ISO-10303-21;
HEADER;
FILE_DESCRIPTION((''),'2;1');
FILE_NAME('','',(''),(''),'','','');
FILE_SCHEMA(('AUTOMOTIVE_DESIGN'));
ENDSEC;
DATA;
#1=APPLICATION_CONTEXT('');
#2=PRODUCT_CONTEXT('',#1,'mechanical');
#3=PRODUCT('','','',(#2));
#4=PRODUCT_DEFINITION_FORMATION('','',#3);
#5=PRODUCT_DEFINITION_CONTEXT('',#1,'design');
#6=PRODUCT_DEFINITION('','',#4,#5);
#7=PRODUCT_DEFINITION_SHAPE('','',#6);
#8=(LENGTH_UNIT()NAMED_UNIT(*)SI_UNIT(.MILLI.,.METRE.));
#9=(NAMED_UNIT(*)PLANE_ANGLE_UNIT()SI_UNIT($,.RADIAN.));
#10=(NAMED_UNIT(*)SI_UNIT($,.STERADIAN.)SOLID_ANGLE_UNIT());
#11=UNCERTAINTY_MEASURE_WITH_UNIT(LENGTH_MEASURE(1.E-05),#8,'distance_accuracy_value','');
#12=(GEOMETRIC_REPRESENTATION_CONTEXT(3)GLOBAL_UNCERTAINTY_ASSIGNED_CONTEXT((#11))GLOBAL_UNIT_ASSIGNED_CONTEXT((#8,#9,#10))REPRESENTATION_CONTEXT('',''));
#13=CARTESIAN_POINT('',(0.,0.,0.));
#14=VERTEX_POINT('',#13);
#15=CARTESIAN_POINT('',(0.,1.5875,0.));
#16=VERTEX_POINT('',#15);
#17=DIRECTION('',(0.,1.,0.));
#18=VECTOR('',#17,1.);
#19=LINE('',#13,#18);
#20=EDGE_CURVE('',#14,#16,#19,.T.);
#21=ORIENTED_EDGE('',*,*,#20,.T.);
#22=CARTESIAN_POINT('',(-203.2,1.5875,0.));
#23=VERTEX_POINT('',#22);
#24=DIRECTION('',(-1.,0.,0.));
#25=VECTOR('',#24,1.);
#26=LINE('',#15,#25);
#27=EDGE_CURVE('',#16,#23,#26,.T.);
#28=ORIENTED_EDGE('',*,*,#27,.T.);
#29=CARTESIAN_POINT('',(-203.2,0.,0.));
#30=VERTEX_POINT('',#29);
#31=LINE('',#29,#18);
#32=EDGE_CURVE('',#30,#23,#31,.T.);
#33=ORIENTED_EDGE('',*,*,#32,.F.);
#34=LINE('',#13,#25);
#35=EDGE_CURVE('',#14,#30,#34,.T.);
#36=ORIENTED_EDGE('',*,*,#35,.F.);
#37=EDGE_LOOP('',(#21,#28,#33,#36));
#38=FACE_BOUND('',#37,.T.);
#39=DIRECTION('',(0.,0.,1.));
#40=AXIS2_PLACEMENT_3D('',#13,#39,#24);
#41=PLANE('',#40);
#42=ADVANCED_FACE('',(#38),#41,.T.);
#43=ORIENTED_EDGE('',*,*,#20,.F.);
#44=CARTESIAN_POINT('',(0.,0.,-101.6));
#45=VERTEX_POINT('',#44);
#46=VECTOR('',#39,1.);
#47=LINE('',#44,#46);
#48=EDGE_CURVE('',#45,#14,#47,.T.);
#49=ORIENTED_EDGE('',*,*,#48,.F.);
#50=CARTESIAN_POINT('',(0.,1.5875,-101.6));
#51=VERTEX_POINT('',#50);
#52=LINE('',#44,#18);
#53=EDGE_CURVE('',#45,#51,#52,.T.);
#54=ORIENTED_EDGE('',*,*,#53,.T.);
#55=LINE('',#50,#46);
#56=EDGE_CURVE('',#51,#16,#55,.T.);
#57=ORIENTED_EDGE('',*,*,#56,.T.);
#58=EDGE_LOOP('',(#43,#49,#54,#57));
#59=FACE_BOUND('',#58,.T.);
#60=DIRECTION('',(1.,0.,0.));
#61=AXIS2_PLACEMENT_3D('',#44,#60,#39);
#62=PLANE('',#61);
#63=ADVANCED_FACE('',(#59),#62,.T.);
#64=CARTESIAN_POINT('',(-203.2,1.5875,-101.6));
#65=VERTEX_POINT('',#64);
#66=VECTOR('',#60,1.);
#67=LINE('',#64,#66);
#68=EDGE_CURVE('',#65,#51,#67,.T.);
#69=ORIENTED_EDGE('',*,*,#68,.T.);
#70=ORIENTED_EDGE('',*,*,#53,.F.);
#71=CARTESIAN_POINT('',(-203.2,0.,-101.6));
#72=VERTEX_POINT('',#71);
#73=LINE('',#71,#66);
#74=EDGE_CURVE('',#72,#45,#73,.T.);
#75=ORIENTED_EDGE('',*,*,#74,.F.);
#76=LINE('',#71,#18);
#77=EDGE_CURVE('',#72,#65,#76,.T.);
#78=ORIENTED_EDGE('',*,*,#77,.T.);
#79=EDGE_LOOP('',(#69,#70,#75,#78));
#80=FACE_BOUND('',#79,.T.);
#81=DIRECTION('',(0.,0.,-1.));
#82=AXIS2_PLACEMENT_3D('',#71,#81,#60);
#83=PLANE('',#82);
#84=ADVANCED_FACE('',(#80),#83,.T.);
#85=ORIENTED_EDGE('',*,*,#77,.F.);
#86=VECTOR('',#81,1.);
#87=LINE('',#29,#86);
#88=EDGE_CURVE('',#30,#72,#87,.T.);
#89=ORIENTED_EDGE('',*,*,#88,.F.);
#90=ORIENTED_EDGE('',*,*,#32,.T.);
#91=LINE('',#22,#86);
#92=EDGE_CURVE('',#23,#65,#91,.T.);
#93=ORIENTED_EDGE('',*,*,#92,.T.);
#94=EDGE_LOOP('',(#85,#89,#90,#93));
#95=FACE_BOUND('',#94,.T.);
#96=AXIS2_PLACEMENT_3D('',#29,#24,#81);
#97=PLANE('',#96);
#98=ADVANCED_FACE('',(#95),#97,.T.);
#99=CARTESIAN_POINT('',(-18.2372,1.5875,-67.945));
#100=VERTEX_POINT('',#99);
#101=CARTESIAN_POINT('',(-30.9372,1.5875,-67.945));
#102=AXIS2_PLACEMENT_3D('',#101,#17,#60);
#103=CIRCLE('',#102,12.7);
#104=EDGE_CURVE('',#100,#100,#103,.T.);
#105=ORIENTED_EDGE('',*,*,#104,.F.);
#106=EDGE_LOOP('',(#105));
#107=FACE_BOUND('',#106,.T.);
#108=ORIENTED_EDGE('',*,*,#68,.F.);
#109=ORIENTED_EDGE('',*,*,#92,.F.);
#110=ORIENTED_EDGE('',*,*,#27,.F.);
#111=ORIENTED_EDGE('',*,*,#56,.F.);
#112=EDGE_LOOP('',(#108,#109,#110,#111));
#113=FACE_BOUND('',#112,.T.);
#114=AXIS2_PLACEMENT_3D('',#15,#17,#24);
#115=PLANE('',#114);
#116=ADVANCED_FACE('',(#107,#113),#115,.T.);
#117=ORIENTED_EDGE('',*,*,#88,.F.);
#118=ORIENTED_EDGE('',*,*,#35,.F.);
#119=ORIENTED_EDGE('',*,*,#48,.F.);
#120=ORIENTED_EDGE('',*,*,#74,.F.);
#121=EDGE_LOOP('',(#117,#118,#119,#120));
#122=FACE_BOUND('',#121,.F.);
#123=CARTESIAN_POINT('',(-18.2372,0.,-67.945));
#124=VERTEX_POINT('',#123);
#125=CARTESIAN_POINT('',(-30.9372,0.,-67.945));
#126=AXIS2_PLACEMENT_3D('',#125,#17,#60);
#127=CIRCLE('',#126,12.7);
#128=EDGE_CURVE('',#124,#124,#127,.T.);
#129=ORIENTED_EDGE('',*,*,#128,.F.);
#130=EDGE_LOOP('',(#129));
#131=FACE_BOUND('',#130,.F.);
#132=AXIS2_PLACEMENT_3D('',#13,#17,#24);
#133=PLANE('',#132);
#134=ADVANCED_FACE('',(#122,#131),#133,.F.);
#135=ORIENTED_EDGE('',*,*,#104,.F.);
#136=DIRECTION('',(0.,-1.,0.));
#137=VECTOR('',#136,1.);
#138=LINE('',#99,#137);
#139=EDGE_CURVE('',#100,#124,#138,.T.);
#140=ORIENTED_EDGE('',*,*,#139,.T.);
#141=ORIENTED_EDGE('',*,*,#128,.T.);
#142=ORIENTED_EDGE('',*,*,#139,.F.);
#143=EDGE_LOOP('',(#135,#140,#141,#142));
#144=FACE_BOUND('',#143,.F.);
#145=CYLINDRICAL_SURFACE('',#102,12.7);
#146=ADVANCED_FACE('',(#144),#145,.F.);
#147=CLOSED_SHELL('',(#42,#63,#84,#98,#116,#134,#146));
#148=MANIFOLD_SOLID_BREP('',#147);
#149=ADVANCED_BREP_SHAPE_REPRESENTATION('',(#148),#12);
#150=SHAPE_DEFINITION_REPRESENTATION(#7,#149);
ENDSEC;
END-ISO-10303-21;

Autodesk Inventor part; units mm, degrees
ref_plane "YZ Plane" through (0, 0, 0) normal (1, 0, 0) x (0, 1, 0)
ref_plane "XZ Plane" through (0, 0, 0) normal (0, 1, 0) x (-1, 0, 0)
ref_plane "XY Plane" through (0, 0, 0) normal (0, 0, 1) x (1, 0, 0)
sketch "Sketch1" plane through (0, 0, 0) normal (0, 1, 0) x (-1, 0, 0)
  line L0 (0, 0) -> (203.2, 0)
  line L1 (203.2, 0) -> (203.2, -101.6)
  line L2 (203.2, -101.6) -> (0, -101.6)
  line L3 (0, -101.6) -> (0, 0)
  dimension "d0" = 203.2
  dimension "d1" = 101.6
extrude "Extrusion1" add sketch "Sketch1" along normal blind 1.5875
sketch "Sketch2" plane through (0, 1.5875, 0) normal (0, 1, 0) x (1, 0, 0)
  circle A0 centre (-30.9372, 67.945) radius 12.7
  line L0 (0, 0) -> (0, 101.6) projected
  line L1 (-203.2, 0) -> (0, 0) projected
  dimension "d4" = 25.4
  dimension "d5" = 30.9372
  dimension "d6" = 67.945
extrude "Extrusion2" cut sketch "Sketch2" against normal blind 25.4
properties part number "TSV-Panel"
